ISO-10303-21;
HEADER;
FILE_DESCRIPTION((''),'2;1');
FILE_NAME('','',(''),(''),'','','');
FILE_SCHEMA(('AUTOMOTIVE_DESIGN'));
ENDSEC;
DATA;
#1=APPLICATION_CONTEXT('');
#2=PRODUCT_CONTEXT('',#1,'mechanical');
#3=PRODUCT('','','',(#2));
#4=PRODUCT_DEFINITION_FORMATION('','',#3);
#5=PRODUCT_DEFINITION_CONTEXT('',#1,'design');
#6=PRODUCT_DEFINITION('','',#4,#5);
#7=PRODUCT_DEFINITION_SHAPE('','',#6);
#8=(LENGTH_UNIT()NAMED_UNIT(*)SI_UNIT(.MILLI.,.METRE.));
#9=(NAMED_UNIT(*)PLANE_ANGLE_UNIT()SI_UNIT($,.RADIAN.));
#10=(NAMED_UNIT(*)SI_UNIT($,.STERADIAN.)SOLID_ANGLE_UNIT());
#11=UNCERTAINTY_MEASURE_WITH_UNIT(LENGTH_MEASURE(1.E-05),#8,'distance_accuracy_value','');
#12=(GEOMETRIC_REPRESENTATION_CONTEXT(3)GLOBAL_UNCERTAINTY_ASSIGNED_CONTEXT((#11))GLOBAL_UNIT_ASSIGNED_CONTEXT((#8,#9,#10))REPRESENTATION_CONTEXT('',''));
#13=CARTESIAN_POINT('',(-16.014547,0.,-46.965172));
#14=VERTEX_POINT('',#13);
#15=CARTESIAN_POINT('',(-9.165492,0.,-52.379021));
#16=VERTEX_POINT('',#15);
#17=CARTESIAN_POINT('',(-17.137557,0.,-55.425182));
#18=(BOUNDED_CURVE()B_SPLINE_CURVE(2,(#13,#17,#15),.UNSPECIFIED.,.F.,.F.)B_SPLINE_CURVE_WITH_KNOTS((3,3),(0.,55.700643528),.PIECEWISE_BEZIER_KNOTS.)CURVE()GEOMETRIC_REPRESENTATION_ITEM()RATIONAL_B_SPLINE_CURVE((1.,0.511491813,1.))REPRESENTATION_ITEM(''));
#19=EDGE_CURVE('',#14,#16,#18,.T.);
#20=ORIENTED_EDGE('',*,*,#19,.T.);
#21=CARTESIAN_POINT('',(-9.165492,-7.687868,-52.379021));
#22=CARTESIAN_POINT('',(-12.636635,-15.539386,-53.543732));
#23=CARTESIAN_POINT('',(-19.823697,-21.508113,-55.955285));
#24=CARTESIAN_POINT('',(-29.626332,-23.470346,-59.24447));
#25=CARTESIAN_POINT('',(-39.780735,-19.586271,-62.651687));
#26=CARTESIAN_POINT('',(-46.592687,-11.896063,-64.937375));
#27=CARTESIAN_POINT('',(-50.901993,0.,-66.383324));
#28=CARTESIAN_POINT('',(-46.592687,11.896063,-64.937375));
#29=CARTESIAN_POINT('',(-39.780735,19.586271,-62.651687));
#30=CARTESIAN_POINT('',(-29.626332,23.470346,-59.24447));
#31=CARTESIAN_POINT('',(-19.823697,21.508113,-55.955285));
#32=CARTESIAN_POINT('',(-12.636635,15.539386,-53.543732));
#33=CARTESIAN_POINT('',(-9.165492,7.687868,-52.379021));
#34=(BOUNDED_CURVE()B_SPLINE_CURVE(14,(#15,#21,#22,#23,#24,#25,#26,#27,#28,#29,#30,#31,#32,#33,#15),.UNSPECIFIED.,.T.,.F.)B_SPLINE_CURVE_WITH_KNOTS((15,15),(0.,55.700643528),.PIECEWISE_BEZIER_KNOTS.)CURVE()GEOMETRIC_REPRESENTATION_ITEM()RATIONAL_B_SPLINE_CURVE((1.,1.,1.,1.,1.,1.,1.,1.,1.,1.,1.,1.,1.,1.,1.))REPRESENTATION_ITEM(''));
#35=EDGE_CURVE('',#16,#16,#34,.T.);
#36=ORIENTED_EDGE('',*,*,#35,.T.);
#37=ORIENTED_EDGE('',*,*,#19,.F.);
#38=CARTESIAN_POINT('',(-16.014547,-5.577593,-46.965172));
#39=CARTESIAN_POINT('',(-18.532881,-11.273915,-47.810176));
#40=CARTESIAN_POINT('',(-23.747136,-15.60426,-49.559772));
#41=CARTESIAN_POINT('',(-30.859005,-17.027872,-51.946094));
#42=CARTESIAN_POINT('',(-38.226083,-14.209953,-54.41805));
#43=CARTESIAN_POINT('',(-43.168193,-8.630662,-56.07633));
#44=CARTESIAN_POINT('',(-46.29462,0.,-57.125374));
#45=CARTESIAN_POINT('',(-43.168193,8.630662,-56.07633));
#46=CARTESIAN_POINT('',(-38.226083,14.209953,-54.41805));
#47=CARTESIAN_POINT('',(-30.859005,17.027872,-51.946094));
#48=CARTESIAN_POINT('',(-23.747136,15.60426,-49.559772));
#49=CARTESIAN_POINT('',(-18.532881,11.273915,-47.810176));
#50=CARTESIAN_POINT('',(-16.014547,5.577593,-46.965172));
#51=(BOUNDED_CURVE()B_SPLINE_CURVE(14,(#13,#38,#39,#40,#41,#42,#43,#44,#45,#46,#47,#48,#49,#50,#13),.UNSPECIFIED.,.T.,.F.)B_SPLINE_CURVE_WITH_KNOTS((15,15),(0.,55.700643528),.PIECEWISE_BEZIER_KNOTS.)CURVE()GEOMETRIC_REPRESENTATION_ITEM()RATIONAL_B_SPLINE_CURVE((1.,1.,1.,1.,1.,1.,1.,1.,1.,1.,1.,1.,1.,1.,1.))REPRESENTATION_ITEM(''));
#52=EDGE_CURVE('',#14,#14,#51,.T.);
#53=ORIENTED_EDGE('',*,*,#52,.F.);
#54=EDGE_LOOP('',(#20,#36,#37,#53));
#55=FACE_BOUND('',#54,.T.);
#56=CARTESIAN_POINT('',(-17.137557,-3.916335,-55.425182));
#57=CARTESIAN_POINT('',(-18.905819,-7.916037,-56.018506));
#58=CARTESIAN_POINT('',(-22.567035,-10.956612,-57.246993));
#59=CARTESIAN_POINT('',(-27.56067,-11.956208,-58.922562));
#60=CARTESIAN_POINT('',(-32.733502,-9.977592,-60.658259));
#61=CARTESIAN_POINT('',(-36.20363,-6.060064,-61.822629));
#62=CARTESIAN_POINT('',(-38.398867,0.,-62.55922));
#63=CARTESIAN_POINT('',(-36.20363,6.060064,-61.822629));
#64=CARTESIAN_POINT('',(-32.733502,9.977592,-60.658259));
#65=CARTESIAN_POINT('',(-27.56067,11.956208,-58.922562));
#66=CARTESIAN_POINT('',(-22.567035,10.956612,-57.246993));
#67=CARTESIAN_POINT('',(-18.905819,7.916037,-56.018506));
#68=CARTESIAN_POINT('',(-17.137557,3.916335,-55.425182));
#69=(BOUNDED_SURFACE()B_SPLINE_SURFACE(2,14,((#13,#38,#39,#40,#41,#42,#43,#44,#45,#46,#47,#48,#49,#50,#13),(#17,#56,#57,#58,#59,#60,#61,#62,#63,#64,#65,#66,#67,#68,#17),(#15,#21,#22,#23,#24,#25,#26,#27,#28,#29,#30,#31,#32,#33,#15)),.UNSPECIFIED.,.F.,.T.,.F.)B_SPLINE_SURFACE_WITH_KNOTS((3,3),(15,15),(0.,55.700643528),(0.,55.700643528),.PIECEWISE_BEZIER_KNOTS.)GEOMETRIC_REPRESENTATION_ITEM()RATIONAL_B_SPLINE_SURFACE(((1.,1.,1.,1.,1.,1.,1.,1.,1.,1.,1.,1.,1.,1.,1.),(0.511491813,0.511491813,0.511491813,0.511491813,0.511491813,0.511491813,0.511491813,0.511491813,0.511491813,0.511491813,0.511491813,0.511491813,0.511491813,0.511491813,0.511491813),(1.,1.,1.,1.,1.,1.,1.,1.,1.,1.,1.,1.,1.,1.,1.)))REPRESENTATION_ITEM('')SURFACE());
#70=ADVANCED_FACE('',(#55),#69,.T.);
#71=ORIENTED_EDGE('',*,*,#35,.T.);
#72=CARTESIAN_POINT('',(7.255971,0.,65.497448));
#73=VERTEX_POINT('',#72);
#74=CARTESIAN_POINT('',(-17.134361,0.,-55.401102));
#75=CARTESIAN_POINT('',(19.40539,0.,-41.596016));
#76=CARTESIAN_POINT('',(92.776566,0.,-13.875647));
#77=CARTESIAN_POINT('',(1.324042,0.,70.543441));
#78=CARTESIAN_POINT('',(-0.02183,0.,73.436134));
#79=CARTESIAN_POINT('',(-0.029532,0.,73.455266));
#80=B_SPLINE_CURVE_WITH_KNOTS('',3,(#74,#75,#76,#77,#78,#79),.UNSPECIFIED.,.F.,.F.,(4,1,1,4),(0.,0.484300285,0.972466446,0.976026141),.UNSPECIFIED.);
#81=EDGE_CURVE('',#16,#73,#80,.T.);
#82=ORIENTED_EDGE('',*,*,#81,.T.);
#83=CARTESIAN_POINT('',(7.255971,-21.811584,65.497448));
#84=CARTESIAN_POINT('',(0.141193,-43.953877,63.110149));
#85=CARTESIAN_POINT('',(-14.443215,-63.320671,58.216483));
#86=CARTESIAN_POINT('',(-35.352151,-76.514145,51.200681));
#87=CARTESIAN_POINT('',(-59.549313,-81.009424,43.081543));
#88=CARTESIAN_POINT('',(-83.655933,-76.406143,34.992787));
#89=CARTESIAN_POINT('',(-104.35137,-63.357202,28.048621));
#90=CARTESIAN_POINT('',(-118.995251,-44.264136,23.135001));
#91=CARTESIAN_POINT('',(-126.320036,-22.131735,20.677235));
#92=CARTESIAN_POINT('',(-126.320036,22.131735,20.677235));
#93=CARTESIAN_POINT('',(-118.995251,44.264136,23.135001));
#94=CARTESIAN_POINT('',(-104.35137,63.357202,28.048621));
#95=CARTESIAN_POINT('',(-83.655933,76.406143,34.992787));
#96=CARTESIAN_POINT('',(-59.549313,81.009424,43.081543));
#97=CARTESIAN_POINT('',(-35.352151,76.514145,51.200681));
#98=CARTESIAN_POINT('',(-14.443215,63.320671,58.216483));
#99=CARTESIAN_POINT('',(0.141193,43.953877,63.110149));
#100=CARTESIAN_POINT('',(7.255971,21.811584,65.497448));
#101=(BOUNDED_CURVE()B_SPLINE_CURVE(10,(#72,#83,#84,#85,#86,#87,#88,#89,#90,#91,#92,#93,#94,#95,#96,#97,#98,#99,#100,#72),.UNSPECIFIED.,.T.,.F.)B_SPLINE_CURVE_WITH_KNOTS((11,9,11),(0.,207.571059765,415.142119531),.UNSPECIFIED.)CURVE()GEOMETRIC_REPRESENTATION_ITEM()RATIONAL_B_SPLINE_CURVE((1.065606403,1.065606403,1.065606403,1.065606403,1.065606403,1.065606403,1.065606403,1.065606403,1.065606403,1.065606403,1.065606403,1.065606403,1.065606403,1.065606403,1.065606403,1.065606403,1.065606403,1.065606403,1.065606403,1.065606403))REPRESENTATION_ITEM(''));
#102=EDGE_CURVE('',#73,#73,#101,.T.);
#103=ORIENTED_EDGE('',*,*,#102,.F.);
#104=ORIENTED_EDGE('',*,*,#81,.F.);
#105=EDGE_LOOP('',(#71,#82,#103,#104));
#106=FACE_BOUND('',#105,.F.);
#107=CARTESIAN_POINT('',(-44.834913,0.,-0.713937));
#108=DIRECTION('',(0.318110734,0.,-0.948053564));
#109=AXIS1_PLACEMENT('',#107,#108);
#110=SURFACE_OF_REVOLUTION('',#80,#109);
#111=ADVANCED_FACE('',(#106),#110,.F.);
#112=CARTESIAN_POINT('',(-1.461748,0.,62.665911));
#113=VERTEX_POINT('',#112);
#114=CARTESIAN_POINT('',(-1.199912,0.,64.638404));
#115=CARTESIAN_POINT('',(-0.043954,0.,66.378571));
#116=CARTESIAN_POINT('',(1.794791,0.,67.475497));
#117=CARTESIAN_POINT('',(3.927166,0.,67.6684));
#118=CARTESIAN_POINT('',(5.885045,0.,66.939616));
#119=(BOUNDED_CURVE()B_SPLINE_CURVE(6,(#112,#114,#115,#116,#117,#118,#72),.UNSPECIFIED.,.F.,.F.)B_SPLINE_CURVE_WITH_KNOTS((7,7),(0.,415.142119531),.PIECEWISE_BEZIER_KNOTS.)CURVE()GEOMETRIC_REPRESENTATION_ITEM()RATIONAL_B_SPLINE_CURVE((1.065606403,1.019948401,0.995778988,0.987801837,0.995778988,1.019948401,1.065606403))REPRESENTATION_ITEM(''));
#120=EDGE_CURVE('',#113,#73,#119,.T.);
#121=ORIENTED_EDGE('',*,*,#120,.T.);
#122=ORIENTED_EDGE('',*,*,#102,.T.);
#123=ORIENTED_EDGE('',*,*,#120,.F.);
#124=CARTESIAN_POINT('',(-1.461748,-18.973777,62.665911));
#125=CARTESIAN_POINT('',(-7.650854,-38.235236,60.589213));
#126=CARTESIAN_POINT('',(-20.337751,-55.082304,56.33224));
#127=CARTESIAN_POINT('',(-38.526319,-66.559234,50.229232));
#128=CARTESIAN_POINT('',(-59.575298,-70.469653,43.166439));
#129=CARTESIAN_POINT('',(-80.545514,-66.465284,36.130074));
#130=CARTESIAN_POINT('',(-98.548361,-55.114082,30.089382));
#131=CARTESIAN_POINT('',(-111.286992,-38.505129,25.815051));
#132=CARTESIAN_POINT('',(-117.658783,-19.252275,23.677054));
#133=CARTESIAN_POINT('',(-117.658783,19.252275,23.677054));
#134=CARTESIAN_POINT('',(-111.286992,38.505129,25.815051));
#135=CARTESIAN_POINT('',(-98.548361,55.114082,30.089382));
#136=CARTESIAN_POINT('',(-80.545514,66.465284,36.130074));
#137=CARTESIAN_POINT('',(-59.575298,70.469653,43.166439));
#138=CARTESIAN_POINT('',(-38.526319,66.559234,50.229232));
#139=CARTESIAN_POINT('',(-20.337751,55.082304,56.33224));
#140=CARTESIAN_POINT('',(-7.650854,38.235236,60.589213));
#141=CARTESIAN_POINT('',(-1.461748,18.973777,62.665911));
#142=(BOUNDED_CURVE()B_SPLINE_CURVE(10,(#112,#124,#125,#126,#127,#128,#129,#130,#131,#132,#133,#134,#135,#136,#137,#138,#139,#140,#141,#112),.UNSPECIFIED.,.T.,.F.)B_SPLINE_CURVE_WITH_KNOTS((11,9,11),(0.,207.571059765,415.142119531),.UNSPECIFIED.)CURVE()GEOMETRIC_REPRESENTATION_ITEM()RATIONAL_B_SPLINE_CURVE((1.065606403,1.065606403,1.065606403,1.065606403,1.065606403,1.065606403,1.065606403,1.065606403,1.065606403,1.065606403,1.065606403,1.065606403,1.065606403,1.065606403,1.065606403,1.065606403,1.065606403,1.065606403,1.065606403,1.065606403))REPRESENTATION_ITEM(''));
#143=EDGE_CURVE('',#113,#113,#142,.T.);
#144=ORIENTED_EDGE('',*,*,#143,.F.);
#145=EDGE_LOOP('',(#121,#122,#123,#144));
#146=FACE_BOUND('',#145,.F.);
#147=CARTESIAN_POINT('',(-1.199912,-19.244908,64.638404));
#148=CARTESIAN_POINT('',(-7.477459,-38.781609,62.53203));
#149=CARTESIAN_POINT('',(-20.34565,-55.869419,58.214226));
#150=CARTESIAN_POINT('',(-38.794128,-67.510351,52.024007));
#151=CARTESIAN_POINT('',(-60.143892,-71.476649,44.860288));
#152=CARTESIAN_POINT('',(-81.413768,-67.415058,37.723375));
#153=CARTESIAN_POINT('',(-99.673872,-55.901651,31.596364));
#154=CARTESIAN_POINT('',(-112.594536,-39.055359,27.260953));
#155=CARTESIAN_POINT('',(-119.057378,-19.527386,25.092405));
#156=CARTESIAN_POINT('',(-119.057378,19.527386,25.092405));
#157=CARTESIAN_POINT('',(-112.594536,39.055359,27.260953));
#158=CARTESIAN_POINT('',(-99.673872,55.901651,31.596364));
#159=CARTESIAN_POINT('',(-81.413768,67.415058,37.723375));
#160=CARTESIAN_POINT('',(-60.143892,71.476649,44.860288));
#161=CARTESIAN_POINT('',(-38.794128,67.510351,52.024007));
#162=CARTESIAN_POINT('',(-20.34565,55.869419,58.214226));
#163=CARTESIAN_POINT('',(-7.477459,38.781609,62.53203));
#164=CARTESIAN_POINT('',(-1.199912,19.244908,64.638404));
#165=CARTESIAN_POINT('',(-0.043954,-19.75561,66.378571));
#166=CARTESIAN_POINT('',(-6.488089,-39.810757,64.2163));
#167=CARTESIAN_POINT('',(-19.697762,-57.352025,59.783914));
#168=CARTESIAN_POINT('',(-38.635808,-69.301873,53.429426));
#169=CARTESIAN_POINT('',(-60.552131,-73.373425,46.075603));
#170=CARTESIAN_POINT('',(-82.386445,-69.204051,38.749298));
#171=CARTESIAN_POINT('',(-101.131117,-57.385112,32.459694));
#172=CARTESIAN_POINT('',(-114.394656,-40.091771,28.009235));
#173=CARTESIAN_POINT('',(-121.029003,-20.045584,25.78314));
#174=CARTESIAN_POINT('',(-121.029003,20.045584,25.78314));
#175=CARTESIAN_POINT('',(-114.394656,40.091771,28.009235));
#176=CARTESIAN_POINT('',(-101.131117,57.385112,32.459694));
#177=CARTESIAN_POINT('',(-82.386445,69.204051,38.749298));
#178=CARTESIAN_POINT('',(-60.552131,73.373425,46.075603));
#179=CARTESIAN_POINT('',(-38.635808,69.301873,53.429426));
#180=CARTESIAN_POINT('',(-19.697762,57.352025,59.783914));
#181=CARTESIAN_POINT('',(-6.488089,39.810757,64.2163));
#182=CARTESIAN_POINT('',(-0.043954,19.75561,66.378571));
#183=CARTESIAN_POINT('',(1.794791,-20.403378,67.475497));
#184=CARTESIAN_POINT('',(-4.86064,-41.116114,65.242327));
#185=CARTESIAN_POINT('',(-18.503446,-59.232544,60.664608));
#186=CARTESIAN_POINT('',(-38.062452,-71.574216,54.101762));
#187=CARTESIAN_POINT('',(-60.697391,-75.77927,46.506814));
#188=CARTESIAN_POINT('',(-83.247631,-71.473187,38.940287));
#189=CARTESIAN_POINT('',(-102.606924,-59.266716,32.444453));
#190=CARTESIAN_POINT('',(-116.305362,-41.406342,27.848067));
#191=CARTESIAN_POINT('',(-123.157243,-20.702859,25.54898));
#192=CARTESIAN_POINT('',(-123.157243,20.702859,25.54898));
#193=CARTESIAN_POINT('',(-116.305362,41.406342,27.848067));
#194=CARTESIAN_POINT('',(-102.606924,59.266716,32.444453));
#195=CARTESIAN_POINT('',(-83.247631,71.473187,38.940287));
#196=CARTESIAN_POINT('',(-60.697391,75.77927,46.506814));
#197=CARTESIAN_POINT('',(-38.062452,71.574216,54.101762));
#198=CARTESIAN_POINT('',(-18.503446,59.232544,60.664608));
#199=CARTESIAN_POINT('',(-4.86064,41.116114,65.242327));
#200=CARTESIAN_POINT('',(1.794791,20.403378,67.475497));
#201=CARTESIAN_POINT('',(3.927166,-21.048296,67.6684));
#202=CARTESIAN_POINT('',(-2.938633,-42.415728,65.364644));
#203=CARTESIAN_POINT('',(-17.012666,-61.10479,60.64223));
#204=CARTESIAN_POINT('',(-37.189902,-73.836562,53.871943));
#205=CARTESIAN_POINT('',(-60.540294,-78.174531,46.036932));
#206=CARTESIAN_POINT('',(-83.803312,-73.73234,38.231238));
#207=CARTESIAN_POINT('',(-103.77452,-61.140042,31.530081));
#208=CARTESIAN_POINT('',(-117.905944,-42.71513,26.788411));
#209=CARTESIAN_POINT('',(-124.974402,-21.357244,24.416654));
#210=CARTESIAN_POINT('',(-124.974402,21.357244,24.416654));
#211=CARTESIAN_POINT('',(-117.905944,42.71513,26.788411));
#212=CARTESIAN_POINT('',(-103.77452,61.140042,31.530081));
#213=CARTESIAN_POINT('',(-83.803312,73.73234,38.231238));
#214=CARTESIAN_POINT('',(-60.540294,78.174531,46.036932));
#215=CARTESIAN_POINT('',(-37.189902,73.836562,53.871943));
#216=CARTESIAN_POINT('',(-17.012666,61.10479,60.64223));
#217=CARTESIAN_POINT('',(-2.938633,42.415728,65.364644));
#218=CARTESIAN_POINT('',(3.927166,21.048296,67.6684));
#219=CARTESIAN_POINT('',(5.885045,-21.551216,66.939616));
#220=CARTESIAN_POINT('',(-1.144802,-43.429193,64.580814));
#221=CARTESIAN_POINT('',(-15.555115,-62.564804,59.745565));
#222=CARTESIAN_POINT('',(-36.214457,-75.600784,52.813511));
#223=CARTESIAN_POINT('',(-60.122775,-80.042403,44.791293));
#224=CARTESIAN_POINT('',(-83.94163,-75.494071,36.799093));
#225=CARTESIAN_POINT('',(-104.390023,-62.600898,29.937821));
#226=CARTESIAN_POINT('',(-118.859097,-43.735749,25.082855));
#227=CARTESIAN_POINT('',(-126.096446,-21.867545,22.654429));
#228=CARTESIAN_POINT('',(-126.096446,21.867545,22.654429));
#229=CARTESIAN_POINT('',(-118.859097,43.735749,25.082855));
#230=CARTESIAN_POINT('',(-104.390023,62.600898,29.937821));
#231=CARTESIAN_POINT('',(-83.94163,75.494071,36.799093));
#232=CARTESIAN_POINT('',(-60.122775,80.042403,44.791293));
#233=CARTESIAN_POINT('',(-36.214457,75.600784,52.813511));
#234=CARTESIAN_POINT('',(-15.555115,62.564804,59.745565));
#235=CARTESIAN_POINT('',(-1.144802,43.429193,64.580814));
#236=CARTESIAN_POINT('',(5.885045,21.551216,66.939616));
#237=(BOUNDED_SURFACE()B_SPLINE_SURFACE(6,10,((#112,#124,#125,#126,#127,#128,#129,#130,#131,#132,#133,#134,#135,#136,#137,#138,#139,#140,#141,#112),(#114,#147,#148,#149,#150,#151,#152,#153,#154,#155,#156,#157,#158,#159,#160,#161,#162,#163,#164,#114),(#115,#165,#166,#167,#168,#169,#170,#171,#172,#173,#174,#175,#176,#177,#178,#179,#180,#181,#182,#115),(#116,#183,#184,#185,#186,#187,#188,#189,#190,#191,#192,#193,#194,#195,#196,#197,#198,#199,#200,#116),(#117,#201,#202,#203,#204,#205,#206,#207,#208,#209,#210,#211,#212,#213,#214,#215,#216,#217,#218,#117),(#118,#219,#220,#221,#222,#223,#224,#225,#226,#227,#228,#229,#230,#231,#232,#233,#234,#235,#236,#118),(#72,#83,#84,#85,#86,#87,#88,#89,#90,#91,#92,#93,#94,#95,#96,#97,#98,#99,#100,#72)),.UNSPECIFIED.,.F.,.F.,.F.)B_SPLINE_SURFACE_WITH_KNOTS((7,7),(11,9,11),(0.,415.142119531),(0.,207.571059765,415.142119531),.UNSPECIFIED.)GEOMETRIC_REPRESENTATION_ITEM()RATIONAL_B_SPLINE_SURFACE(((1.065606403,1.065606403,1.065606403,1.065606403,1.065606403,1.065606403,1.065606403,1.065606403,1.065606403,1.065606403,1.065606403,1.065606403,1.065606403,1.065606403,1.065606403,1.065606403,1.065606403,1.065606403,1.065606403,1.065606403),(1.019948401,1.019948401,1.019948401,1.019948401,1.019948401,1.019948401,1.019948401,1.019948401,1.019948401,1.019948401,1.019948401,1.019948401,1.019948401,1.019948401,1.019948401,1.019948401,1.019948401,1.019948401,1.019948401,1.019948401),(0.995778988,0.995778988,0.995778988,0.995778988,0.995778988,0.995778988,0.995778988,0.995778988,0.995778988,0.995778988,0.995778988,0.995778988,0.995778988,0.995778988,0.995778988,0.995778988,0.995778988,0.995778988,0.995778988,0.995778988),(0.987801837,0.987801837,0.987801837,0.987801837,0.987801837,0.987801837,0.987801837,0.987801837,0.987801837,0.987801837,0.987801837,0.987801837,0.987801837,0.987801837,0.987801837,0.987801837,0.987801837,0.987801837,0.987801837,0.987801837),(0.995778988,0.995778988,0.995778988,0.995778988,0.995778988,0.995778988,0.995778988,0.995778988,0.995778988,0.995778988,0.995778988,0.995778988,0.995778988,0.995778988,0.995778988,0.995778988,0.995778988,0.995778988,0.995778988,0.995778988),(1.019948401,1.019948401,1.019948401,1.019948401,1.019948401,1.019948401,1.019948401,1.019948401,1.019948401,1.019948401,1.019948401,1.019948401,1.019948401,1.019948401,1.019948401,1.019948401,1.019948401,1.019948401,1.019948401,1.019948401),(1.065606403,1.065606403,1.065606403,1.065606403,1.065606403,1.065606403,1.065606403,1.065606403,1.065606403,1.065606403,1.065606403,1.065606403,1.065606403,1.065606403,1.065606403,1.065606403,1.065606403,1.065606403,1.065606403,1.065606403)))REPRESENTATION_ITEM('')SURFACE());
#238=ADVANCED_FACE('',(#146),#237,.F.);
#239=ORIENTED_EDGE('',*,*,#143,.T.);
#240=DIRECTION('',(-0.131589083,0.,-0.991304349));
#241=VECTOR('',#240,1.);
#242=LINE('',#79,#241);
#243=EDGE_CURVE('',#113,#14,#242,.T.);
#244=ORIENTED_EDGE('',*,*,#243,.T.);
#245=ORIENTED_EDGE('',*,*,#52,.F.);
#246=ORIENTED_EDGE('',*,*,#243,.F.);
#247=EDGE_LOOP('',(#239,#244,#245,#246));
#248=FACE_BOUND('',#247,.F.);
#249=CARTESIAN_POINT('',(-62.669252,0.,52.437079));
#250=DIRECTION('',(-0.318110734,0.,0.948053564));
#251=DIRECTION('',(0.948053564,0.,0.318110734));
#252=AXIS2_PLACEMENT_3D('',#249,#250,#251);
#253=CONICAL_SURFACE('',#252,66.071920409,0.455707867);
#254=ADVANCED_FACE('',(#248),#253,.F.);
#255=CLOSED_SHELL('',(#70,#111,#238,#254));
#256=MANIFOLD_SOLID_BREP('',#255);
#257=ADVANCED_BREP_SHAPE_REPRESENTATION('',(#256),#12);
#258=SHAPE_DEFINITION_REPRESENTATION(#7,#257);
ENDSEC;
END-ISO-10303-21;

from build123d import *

# Parameters (mm, degrees)
F2_R = 5.08


with BuildPart() as f1:
    # F0 (on Front) → F1 (revolve)
    with BuildSketch(Plane.XZ):
        with BuildLine():
            Line((-0.029532092, 73.4552659154), (-17.1343609691, -55.4011017084))
            add(Edge.make_bspline(
                [(-17.1343609691, -55.4011017084), (19.4053897862, -41.5960160126), (92.7765659681, -13.8756469937), (1.3240416012, 70.5434411604), (-0.0218300503, 73.4361338765), (-0.029532092, 73.4552659154)],
                knots=[0, 0, 0, 0, 0.4843002855, 0.9724664464, 0.9760261411, 0.9760261411, 0.9760261411, 0.9760261411], degree=3))
        make_face()
    revolve(axis=Axis((-44.8349127546, 0, -0.7139369845), (0.3181107339, 0, -0.9480535644)))

    # F2
    f2_edges = [f1.edges().sort_by_distance(p)[0] for p in [
        (-125.308971, 0, 31.418892),
        (-33.943413, 0, -61.041226),
        (-8.581947, 0, 9.027082),
    ]]
    fillet(f2_edges, radius=F2_R)


solid = f1.part
